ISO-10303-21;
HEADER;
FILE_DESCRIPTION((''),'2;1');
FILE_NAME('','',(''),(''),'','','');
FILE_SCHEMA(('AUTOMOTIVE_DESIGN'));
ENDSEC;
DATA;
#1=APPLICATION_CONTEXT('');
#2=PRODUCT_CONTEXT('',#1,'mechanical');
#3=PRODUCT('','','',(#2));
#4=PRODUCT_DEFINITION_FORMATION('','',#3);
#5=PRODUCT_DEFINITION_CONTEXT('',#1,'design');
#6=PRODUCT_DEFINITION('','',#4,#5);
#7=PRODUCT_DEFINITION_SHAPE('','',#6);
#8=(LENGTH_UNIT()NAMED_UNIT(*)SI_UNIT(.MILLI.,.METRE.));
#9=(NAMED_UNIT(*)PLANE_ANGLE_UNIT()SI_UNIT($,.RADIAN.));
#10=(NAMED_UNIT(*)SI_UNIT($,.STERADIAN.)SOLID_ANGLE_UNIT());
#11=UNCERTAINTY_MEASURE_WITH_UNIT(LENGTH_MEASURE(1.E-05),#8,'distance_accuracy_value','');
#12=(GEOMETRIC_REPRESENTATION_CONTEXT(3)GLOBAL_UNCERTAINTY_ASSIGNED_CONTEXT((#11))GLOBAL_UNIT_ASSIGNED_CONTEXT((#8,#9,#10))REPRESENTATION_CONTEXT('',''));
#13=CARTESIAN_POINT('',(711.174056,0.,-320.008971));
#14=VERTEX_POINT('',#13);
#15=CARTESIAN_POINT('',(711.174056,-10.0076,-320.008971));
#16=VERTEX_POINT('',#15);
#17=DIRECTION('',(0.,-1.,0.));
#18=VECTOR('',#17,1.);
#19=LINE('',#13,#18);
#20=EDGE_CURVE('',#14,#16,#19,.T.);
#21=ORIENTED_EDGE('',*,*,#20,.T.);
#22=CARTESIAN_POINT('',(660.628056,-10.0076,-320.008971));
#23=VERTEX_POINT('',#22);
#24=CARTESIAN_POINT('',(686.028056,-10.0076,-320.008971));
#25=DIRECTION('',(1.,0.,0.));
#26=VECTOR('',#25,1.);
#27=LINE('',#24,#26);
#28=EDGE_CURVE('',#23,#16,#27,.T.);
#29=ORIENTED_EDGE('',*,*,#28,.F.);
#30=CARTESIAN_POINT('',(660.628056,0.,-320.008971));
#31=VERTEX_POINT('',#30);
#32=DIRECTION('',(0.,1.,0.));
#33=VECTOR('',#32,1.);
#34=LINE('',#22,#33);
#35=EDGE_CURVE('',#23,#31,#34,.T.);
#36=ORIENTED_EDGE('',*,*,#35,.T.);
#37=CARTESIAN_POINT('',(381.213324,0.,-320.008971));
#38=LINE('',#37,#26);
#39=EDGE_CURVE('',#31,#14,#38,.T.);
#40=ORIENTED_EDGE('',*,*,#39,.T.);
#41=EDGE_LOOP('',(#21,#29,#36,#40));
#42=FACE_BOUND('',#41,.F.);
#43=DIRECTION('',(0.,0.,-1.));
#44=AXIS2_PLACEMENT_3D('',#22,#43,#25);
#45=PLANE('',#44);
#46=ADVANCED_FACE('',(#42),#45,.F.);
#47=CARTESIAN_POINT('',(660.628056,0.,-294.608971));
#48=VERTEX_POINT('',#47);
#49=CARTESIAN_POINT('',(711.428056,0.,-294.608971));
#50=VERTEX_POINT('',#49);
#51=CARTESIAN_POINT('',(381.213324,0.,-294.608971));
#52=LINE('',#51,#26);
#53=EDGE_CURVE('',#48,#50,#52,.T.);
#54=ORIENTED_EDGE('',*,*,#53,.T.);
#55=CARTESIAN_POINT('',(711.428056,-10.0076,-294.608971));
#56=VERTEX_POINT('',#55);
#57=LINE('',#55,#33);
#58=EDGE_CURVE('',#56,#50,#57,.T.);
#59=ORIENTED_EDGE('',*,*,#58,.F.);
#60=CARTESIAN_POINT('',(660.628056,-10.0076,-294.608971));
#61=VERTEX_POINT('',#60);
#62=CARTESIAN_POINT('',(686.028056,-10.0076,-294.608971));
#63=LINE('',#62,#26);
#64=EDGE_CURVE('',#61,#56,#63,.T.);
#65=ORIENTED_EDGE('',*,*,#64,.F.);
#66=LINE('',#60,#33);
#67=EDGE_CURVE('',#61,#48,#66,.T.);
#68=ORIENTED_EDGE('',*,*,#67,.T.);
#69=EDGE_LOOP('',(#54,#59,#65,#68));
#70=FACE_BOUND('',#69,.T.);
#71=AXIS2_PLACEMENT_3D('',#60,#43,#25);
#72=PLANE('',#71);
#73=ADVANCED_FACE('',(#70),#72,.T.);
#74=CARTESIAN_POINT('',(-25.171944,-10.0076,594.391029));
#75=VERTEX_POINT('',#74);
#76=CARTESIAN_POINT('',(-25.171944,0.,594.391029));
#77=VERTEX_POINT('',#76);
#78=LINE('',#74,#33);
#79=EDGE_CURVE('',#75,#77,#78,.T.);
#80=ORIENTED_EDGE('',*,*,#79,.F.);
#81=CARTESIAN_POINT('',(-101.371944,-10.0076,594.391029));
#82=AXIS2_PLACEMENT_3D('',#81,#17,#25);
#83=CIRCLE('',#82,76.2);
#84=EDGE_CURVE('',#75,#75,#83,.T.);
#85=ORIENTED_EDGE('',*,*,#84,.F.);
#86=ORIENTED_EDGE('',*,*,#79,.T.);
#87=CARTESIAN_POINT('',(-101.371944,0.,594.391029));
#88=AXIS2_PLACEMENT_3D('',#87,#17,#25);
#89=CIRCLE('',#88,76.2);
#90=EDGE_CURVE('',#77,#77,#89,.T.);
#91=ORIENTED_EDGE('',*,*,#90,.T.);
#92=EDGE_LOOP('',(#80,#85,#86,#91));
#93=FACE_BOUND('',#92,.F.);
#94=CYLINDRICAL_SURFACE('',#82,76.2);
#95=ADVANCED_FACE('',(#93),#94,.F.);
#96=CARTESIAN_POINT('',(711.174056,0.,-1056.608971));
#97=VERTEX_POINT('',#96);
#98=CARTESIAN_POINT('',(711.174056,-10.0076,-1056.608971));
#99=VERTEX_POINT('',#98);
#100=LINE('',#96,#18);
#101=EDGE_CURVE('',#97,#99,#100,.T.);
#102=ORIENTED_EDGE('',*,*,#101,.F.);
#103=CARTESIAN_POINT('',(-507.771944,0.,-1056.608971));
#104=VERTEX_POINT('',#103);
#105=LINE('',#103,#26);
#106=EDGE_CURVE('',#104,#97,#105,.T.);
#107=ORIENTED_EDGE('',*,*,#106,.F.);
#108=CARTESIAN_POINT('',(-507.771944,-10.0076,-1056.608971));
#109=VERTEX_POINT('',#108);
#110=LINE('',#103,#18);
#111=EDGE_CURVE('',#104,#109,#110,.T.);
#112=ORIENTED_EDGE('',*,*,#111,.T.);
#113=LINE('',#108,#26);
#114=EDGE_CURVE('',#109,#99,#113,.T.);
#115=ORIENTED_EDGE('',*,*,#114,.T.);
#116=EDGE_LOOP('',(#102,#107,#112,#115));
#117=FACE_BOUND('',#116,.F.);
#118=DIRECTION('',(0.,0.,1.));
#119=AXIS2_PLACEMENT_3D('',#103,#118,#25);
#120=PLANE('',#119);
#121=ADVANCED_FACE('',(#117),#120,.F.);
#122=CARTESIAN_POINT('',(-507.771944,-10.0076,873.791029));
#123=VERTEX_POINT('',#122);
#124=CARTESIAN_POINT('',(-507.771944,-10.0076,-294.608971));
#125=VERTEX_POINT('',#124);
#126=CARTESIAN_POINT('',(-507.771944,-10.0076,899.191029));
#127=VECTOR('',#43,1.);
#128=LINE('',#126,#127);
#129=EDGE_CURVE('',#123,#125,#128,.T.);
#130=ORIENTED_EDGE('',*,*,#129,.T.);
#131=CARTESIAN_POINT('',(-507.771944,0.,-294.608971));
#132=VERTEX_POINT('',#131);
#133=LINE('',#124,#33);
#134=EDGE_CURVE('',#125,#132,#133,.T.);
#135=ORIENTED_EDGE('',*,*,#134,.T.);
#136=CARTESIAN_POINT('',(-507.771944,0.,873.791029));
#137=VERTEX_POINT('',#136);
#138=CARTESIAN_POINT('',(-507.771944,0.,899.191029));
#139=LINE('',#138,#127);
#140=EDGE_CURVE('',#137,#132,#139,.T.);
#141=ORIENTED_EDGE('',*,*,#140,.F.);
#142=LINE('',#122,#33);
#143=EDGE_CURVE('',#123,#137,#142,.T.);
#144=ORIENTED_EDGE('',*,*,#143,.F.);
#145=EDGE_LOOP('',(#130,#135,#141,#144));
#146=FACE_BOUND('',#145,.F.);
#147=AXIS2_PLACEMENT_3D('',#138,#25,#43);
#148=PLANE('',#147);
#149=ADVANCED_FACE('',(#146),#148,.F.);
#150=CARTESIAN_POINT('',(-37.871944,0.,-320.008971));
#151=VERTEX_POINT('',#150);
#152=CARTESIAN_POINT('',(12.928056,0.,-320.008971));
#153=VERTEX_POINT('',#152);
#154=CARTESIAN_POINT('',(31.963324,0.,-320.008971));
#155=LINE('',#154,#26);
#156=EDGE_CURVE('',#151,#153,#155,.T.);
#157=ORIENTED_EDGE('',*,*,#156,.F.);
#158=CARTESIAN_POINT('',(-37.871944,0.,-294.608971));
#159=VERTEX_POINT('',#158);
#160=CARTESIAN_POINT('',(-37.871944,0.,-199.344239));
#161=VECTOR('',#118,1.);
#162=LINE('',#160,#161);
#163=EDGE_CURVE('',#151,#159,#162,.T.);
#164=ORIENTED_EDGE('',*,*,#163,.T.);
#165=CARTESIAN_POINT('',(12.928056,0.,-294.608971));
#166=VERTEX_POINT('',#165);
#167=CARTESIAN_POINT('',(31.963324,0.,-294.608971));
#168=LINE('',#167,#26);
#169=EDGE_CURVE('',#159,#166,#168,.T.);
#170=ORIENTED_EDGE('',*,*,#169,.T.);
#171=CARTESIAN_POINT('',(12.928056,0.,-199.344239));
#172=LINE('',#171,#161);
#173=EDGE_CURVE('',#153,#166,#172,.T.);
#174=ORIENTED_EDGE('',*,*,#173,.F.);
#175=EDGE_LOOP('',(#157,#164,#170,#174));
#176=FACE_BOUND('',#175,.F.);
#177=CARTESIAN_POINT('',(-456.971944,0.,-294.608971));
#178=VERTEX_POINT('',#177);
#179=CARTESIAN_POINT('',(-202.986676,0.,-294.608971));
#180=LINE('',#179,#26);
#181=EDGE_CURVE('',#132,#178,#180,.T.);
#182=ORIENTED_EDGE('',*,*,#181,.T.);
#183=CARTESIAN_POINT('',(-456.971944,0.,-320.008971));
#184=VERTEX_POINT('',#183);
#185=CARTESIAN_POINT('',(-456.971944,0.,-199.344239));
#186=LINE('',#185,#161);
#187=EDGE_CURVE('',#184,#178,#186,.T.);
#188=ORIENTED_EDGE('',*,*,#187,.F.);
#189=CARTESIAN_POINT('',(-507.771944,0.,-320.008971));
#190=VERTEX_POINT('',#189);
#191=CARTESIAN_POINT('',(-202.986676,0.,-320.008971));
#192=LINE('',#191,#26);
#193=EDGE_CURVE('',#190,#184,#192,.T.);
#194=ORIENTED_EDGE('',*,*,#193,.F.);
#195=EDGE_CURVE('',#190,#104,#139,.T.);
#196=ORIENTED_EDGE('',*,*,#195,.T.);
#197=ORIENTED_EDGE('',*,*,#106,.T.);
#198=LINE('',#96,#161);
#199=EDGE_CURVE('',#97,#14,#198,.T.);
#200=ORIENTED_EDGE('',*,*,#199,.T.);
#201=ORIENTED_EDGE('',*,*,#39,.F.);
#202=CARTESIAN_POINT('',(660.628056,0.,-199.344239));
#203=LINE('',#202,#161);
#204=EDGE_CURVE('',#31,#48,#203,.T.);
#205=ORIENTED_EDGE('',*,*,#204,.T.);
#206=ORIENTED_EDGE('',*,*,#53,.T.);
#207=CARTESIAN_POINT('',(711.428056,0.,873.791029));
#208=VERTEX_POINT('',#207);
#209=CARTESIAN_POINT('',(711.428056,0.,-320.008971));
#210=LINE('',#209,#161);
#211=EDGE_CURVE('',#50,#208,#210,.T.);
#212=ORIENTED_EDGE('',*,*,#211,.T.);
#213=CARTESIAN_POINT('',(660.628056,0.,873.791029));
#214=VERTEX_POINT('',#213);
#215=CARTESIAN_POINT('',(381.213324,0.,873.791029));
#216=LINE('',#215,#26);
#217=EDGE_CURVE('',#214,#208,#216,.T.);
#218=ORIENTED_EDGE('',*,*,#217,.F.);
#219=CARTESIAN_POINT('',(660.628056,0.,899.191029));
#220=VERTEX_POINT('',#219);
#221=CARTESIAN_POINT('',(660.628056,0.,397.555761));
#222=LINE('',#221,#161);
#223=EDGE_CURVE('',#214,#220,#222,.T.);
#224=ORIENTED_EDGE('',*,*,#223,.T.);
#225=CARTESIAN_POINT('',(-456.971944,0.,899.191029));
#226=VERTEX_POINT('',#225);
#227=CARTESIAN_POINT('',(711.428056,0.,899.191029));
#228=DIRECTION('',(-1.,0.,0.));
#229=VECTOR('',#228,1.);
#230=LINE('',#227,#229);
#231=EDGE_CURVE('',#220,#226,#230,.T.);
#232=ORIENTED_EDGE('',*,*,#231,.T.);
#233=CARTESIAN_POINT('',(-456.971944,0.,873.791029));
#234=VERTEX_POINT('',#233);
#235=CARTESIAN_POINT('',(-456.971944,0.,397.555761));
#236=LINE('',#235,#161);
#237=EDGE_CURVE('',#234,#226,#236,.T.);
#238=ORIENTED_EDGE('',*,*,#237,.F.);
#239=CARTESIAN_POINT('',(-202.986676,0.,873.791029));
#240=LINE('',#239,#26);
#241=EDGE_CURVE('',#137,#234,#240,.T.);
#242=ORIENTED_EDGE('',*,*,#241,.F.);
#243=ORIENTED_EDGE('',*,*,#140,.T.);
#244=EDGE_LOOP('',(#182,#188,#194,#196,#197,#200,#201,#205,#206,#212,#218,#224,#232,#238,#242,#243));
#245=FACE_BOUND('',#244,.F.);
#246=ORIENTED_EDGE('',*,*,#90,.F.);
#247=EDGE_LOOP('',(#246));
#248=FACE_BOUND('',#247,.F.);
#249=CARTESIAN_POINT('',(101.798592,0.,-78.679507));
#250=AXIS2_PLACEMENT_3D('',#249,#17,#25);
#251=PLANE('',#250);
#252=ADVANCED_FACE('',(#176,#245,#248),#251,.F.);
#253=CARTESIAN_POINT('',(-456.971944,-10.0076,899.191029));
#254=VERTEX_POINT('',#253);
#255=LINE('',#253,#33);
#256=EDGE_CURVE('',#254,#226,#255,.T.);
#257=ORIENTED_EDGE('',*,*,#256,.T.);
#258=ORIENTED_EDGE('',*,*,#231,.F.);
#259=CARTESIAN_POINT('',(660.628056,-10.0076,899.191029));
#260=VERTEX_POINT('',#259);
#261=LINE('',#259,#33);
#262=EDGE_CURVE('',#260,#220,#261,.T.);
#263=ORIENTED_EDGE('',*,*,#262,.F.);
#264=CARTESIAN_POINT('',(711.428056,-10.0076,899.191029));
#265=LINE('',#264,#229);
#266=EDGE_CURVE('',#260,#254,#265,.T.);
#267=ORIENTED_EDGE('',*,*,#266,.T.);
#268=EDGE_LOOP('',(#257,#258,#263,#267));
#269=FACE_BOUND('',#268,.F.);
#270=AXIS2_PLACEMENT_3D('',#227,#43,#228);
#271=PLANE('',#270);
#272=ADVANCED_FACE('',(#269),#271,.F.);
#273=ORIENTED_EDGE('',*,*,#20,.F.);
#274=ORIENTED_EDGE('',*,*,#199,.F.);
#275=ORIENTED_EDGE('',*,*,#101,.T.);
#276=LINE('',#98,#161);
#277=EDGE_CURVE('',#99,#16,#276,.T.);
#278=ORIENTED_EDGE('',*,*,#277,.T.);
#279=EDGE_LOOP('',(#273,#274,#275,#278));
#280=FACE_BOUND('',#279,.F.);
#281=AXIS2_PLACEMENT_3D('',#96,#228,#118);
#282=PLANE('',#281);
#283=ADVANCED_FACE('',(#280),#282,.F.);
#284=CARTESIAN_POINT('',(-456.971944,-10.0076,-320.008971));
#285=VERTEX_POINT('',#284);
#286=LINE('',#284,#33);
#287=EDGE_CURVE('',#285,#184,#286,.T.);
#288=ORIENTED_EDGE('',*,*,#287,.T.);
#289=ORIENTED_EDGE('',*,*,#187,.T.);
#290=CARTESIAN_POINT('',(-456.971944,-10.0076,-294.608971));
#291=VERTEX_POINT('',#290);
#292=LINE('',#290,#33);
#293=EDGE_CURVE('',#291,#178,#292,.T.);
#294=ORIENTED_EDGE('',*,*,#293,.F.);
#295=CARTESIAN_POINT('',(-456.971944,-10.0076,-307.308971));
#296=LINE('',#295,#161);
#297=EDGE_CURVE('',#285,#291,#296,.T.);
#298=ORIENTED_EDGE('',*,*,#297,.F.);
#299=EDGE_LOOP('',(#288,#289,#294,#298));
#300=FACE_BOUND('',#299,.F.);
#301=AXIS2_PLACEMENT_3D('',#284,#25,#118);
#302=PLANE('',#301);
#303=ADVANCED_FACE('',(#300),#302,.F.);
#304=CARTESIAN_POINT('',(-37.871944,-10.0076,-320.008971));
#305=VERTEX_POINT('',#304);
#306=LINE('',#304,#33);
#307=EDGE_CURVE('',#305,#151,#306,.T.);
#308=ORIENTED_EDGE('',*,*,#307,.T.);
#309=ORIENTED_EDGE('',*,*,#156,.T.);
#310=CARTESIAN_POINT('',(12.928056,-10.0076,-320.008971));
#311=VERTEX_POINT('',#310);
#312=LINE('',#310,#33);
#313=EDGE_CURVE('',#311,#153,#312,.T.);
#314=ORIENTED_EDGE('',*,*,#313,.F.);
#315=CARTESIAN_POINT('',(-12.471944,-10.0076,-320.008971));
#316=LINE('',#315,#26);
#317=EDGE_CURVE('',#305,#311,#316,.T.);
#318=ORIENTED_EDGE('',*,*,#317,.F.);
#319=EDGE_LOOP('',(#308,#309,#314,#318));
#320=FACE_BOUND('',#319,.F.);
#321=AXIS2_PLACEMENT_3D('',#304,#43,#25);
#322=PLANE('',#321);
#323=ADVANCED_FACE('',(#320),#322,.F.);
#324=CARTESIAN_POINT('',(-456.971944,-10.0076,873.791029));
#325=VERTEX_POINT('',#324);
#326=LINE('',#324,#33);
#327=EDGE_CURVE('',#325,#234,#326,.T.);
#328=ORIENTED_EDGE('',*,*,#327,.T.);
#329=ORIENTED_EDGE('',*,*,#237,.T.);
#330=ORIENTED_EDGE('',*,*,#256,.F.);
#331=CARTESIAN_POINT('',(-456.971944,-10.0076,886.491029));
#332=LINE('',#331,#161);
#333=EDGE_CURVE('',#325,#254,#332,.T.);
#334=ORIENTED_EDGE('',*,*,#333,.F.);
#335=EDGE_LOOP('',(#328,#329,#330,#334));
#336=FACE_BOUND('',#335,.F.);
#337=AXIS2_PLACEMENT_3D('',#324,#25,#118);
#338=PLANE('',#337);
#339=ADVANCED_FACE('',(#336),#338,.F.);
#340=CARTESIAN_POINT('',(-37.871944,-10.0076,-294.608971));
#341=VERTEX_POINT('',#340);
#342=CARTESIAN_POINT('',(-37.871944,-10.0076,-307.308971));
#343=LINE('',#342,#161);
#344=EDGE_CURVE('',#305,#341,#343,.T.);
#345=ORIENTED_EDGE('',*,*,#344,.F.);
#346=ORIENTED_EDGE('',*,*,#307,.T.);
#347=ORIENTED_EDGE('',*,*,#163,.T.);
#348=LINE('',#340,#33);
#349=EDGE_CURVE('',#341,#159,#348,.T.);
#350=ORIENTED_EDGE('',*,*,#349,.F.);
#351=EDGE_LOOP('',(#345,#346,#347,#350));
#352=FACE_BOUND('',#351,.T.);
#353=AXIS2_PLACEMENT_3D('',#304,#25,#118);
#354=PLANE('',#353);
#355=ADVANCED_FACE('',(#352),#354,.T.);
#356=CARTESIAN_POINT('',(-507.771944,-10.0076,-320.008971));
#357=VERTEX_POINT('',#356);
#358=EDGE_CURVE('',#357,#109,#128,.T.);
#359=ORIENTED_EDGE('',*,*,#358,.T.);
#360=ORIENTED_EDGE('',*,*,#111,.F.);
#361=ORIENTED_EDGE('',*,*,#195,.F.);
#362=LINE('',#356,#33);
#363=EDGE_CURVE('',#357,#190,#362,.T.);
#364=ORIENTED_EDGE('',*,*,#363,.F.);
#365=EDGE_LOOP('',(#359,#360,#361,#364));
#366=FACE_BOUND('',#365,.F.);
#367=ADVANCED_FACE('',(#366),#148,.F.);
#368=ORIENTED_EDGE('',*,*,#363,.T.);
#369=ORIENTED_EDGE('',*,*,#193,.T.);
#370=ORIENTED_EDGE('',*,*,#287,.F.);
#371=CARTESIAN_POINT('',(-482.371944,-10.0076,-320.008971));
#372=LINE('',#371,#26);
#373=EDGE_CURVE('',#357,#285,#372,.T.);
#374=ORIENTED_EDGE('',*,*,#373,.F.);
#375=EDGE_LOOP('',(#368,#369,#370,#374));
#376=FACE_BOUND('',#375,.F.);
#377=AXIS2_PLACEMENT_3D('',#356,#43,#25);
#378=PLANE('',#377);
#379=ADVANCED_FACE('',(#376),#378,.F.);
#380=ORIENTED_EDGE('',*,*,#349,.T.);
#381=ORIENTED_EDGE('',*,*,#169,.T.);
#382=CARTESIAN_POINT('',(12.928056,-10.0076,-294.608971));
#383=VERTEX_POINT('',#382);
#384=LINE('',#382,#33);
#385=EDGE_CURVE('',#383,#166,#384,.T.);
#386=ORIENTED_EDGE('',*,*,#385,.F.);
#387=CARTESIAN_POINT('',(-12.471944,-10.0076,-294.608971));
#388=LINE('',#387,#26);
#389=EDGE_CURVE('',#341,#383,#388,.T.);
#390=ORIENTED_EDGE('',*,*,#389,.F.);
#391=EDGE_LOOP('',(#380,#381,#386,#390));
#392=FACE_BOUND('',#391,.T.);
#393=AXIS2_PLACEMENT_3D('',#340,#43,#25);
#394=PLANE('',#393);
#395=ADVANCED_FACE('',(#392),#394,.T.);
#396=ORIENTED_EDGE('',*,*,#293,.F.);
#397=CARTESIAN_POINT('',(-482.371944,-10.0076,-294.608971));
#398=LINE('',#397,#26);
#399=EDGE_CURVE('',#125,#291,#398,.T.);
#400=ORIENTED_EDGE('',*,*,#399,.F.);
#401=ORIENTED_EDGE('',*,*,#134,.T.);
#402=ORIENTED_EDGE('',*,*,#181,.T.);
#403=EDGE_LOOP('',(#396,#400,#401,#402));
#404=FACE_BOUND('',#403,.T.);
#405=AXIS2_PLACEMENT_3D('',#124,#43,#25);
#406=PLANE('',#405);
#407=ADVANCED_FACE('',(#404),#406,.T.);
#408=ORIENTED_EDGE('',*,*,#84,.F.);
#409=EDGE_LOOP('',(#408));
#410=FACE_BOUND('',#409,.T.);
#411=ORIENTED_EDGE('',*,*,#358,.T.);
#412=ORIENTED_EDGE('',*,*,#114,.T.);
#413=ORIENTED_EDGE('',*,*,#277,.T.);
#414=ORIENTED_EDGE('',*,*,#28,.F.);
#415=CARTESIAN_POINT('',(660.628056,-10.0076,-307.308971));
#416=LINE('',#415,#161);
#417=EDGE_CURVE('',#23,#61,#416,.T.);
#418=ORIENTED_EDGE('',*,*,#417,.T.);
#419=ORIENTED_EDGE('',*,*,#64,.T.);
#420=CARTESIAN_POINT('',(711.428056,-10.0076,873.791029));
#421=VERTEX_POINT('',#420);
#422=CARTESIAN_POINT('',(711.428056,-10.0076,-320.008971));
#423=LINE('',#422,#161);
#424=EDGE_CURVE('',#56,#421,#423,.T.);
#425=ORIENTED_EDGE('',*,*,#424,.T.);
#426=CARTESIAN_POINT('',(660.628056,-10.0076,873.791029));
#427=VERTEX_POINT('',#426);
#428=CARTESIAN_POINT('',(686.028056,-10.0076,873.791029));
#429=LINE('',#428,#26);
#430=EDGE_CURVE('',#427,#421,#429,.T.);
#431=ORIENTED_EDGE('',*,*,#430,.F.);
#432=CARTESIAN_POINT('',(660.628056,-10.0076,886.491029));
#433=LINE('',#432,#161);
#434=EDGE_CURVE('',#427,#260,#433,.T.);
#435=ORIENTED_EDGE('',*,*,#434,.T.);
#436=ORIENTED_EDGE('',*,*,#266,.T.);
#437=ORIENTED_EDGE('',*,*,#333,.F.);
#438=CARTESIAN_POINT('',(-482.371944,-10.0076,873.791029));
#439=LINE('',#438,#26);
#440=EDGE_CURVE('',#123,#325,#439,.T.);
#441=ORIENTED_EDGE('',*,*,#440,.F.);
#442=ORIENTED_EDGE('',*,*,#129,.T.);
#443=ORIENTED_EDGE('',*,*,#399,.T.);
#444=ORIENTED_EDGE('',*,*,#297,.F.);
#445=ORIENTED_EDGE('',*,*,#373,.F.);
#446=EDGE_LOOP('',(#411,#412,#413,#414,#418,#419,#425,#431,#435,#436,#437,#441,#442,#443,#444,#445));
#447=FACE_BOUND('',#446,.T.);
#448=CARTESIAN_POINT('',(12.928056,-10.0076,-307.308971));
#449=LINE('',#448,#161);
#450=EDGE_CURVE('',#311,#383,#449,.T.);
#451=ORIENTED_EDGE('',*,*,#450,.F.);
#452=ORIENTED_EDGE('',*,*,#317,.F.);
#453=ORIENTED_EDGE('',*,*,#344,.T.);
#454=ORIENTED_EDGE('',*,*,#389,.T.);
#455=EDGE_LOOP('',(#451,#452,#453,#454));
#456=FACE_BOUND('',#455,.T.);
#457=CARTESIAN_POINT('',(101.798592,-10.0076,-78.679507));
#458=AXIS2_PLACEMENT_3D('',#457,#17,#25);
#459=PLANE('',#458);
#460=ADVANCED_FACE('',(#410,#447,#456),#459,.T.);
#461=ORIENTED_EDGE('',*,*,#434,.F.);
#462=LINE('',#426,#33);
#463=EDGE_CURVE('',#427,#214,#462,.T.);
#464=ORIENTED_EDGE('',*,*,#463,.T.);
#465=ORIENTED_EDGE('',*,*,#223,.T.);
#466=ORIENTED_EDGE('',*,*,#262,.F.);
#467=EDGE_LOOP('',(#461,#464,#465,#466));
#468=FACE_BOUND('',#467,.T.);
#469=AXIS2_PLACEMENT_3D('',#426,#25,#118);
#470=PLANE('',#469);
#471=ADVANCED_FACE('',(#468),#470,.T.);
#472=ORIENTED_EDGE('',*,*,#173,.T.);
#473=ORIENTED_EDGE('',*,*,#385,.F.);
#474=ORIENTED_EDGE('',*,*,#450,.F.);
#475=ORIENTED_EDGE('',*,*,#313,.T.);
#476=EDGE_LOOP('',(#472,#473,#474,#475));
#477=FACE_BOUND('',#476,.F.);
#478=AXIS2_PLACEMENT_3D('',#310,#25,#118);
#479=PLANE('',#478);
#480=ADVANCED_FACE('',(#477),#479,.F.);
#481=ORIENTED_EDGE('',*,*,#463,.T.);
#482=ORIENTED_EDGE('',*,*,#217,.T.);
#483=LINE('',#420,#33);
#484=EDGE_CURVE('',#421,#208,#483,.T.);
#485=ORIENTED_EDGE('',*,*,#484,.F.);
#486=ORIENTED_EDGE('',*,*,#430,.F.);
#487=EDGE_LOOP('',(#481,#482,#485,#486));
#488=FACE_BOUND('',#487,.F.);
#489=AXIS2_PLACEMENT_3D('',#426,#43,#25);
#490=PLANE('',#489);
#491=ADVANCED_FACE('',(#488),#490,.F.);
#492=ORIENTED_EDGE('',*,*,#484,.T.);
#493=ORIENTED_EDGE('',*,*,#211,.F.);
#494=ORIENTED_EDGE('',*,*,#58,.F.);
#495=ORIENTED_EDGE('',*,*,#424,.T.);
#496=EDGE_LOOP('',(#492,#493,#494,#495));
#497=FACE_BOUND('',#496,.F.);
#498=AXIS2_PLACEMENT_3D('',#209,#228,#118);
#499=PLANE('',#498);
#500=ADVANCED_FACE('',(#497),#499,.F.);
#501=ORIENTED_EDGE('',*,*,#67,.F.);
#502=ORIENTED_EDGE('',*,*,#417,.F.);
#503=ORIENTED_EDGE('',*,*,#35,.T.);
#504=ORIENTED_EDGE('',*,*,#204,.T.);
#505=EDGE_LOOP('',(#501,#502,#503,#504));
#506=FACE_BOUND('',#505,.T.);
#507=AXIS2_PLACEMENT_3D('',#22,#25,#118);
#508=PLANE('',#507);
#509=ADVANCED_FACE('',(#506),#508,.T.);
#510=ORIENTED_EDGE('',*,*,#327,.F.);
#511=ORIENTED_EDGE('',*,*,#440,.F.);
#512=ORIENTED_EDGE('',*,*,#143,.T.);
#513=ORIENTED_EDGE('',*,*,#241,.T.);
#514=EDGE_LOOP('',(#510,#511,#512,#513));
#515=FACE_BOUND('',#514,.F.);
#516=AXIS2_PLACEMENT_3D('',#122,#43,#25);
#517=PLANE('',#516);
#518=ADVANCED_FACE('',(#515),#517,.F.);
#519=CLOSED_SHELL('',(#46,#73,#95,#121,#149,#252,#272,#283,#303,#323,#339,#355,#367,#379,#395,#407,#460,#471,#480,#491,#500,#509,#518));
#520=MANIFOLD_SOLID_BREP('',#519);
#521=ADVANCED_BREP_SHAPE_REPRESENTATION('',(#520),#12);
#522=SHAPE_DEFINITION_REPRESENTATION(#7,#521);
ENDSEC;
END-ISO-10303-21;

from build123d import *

# Parameters (mm, degrees)
F1_DEPTH = 10.0076
F2_W     = 50.8
F2_H     = 25.4
F3_DEPTH = 10.0086
F4_R     = 76.2
F5_DEPTH = 10.0086


with BuildPart() as f1:
    # F0 (on Front) → F1 (new body)
    with BuildSketch(Plane.XZ):
        Polygon((711.428056, 899.191029), (-507.771944, 899.191029), (-507.771944, -1056.608971), (711.174056, -1056.608971), (711.174056, -320.008971), (711.428056, -320.008971), align=None)
    extrude(amount=F1_DEPTH)

    # F2 (on face) → F3 (cut, through all)
    with BuildSketch(Plane.XZ.offset(10.0076)):
        with Locations((686.028056, 886.491029)):
            Rectangle(F2_W, F2_H)
        with Locations((-482.371944, 886.491029)):
            Rectangle(F2_W, F2_H)
        with Locations((686.028056, -307.308971)):
            Rectangle(F2_W, F2_H)
        with Locations((-482.371944, -307.308971)):
            Rectangle(F2_W, F2_H)
        with Locations((-12.471944, -307.308971)):
            Rectangle(F2_W, F2_H)
    extrude(amount=-F3_DEPTH, mode=Mode.SUBTRACT)

    # F4 (on face) → F5 (cut, through all)
    with BuildSketch(Plane.XZ.offset(10.0076)):
        with Locations((-101.371944, 594.391029)):
            Circle(F4_R)
    extrude(amount=-F5_DEPTH, mode=Mode.SUBTRACT)


solid = f1.part
